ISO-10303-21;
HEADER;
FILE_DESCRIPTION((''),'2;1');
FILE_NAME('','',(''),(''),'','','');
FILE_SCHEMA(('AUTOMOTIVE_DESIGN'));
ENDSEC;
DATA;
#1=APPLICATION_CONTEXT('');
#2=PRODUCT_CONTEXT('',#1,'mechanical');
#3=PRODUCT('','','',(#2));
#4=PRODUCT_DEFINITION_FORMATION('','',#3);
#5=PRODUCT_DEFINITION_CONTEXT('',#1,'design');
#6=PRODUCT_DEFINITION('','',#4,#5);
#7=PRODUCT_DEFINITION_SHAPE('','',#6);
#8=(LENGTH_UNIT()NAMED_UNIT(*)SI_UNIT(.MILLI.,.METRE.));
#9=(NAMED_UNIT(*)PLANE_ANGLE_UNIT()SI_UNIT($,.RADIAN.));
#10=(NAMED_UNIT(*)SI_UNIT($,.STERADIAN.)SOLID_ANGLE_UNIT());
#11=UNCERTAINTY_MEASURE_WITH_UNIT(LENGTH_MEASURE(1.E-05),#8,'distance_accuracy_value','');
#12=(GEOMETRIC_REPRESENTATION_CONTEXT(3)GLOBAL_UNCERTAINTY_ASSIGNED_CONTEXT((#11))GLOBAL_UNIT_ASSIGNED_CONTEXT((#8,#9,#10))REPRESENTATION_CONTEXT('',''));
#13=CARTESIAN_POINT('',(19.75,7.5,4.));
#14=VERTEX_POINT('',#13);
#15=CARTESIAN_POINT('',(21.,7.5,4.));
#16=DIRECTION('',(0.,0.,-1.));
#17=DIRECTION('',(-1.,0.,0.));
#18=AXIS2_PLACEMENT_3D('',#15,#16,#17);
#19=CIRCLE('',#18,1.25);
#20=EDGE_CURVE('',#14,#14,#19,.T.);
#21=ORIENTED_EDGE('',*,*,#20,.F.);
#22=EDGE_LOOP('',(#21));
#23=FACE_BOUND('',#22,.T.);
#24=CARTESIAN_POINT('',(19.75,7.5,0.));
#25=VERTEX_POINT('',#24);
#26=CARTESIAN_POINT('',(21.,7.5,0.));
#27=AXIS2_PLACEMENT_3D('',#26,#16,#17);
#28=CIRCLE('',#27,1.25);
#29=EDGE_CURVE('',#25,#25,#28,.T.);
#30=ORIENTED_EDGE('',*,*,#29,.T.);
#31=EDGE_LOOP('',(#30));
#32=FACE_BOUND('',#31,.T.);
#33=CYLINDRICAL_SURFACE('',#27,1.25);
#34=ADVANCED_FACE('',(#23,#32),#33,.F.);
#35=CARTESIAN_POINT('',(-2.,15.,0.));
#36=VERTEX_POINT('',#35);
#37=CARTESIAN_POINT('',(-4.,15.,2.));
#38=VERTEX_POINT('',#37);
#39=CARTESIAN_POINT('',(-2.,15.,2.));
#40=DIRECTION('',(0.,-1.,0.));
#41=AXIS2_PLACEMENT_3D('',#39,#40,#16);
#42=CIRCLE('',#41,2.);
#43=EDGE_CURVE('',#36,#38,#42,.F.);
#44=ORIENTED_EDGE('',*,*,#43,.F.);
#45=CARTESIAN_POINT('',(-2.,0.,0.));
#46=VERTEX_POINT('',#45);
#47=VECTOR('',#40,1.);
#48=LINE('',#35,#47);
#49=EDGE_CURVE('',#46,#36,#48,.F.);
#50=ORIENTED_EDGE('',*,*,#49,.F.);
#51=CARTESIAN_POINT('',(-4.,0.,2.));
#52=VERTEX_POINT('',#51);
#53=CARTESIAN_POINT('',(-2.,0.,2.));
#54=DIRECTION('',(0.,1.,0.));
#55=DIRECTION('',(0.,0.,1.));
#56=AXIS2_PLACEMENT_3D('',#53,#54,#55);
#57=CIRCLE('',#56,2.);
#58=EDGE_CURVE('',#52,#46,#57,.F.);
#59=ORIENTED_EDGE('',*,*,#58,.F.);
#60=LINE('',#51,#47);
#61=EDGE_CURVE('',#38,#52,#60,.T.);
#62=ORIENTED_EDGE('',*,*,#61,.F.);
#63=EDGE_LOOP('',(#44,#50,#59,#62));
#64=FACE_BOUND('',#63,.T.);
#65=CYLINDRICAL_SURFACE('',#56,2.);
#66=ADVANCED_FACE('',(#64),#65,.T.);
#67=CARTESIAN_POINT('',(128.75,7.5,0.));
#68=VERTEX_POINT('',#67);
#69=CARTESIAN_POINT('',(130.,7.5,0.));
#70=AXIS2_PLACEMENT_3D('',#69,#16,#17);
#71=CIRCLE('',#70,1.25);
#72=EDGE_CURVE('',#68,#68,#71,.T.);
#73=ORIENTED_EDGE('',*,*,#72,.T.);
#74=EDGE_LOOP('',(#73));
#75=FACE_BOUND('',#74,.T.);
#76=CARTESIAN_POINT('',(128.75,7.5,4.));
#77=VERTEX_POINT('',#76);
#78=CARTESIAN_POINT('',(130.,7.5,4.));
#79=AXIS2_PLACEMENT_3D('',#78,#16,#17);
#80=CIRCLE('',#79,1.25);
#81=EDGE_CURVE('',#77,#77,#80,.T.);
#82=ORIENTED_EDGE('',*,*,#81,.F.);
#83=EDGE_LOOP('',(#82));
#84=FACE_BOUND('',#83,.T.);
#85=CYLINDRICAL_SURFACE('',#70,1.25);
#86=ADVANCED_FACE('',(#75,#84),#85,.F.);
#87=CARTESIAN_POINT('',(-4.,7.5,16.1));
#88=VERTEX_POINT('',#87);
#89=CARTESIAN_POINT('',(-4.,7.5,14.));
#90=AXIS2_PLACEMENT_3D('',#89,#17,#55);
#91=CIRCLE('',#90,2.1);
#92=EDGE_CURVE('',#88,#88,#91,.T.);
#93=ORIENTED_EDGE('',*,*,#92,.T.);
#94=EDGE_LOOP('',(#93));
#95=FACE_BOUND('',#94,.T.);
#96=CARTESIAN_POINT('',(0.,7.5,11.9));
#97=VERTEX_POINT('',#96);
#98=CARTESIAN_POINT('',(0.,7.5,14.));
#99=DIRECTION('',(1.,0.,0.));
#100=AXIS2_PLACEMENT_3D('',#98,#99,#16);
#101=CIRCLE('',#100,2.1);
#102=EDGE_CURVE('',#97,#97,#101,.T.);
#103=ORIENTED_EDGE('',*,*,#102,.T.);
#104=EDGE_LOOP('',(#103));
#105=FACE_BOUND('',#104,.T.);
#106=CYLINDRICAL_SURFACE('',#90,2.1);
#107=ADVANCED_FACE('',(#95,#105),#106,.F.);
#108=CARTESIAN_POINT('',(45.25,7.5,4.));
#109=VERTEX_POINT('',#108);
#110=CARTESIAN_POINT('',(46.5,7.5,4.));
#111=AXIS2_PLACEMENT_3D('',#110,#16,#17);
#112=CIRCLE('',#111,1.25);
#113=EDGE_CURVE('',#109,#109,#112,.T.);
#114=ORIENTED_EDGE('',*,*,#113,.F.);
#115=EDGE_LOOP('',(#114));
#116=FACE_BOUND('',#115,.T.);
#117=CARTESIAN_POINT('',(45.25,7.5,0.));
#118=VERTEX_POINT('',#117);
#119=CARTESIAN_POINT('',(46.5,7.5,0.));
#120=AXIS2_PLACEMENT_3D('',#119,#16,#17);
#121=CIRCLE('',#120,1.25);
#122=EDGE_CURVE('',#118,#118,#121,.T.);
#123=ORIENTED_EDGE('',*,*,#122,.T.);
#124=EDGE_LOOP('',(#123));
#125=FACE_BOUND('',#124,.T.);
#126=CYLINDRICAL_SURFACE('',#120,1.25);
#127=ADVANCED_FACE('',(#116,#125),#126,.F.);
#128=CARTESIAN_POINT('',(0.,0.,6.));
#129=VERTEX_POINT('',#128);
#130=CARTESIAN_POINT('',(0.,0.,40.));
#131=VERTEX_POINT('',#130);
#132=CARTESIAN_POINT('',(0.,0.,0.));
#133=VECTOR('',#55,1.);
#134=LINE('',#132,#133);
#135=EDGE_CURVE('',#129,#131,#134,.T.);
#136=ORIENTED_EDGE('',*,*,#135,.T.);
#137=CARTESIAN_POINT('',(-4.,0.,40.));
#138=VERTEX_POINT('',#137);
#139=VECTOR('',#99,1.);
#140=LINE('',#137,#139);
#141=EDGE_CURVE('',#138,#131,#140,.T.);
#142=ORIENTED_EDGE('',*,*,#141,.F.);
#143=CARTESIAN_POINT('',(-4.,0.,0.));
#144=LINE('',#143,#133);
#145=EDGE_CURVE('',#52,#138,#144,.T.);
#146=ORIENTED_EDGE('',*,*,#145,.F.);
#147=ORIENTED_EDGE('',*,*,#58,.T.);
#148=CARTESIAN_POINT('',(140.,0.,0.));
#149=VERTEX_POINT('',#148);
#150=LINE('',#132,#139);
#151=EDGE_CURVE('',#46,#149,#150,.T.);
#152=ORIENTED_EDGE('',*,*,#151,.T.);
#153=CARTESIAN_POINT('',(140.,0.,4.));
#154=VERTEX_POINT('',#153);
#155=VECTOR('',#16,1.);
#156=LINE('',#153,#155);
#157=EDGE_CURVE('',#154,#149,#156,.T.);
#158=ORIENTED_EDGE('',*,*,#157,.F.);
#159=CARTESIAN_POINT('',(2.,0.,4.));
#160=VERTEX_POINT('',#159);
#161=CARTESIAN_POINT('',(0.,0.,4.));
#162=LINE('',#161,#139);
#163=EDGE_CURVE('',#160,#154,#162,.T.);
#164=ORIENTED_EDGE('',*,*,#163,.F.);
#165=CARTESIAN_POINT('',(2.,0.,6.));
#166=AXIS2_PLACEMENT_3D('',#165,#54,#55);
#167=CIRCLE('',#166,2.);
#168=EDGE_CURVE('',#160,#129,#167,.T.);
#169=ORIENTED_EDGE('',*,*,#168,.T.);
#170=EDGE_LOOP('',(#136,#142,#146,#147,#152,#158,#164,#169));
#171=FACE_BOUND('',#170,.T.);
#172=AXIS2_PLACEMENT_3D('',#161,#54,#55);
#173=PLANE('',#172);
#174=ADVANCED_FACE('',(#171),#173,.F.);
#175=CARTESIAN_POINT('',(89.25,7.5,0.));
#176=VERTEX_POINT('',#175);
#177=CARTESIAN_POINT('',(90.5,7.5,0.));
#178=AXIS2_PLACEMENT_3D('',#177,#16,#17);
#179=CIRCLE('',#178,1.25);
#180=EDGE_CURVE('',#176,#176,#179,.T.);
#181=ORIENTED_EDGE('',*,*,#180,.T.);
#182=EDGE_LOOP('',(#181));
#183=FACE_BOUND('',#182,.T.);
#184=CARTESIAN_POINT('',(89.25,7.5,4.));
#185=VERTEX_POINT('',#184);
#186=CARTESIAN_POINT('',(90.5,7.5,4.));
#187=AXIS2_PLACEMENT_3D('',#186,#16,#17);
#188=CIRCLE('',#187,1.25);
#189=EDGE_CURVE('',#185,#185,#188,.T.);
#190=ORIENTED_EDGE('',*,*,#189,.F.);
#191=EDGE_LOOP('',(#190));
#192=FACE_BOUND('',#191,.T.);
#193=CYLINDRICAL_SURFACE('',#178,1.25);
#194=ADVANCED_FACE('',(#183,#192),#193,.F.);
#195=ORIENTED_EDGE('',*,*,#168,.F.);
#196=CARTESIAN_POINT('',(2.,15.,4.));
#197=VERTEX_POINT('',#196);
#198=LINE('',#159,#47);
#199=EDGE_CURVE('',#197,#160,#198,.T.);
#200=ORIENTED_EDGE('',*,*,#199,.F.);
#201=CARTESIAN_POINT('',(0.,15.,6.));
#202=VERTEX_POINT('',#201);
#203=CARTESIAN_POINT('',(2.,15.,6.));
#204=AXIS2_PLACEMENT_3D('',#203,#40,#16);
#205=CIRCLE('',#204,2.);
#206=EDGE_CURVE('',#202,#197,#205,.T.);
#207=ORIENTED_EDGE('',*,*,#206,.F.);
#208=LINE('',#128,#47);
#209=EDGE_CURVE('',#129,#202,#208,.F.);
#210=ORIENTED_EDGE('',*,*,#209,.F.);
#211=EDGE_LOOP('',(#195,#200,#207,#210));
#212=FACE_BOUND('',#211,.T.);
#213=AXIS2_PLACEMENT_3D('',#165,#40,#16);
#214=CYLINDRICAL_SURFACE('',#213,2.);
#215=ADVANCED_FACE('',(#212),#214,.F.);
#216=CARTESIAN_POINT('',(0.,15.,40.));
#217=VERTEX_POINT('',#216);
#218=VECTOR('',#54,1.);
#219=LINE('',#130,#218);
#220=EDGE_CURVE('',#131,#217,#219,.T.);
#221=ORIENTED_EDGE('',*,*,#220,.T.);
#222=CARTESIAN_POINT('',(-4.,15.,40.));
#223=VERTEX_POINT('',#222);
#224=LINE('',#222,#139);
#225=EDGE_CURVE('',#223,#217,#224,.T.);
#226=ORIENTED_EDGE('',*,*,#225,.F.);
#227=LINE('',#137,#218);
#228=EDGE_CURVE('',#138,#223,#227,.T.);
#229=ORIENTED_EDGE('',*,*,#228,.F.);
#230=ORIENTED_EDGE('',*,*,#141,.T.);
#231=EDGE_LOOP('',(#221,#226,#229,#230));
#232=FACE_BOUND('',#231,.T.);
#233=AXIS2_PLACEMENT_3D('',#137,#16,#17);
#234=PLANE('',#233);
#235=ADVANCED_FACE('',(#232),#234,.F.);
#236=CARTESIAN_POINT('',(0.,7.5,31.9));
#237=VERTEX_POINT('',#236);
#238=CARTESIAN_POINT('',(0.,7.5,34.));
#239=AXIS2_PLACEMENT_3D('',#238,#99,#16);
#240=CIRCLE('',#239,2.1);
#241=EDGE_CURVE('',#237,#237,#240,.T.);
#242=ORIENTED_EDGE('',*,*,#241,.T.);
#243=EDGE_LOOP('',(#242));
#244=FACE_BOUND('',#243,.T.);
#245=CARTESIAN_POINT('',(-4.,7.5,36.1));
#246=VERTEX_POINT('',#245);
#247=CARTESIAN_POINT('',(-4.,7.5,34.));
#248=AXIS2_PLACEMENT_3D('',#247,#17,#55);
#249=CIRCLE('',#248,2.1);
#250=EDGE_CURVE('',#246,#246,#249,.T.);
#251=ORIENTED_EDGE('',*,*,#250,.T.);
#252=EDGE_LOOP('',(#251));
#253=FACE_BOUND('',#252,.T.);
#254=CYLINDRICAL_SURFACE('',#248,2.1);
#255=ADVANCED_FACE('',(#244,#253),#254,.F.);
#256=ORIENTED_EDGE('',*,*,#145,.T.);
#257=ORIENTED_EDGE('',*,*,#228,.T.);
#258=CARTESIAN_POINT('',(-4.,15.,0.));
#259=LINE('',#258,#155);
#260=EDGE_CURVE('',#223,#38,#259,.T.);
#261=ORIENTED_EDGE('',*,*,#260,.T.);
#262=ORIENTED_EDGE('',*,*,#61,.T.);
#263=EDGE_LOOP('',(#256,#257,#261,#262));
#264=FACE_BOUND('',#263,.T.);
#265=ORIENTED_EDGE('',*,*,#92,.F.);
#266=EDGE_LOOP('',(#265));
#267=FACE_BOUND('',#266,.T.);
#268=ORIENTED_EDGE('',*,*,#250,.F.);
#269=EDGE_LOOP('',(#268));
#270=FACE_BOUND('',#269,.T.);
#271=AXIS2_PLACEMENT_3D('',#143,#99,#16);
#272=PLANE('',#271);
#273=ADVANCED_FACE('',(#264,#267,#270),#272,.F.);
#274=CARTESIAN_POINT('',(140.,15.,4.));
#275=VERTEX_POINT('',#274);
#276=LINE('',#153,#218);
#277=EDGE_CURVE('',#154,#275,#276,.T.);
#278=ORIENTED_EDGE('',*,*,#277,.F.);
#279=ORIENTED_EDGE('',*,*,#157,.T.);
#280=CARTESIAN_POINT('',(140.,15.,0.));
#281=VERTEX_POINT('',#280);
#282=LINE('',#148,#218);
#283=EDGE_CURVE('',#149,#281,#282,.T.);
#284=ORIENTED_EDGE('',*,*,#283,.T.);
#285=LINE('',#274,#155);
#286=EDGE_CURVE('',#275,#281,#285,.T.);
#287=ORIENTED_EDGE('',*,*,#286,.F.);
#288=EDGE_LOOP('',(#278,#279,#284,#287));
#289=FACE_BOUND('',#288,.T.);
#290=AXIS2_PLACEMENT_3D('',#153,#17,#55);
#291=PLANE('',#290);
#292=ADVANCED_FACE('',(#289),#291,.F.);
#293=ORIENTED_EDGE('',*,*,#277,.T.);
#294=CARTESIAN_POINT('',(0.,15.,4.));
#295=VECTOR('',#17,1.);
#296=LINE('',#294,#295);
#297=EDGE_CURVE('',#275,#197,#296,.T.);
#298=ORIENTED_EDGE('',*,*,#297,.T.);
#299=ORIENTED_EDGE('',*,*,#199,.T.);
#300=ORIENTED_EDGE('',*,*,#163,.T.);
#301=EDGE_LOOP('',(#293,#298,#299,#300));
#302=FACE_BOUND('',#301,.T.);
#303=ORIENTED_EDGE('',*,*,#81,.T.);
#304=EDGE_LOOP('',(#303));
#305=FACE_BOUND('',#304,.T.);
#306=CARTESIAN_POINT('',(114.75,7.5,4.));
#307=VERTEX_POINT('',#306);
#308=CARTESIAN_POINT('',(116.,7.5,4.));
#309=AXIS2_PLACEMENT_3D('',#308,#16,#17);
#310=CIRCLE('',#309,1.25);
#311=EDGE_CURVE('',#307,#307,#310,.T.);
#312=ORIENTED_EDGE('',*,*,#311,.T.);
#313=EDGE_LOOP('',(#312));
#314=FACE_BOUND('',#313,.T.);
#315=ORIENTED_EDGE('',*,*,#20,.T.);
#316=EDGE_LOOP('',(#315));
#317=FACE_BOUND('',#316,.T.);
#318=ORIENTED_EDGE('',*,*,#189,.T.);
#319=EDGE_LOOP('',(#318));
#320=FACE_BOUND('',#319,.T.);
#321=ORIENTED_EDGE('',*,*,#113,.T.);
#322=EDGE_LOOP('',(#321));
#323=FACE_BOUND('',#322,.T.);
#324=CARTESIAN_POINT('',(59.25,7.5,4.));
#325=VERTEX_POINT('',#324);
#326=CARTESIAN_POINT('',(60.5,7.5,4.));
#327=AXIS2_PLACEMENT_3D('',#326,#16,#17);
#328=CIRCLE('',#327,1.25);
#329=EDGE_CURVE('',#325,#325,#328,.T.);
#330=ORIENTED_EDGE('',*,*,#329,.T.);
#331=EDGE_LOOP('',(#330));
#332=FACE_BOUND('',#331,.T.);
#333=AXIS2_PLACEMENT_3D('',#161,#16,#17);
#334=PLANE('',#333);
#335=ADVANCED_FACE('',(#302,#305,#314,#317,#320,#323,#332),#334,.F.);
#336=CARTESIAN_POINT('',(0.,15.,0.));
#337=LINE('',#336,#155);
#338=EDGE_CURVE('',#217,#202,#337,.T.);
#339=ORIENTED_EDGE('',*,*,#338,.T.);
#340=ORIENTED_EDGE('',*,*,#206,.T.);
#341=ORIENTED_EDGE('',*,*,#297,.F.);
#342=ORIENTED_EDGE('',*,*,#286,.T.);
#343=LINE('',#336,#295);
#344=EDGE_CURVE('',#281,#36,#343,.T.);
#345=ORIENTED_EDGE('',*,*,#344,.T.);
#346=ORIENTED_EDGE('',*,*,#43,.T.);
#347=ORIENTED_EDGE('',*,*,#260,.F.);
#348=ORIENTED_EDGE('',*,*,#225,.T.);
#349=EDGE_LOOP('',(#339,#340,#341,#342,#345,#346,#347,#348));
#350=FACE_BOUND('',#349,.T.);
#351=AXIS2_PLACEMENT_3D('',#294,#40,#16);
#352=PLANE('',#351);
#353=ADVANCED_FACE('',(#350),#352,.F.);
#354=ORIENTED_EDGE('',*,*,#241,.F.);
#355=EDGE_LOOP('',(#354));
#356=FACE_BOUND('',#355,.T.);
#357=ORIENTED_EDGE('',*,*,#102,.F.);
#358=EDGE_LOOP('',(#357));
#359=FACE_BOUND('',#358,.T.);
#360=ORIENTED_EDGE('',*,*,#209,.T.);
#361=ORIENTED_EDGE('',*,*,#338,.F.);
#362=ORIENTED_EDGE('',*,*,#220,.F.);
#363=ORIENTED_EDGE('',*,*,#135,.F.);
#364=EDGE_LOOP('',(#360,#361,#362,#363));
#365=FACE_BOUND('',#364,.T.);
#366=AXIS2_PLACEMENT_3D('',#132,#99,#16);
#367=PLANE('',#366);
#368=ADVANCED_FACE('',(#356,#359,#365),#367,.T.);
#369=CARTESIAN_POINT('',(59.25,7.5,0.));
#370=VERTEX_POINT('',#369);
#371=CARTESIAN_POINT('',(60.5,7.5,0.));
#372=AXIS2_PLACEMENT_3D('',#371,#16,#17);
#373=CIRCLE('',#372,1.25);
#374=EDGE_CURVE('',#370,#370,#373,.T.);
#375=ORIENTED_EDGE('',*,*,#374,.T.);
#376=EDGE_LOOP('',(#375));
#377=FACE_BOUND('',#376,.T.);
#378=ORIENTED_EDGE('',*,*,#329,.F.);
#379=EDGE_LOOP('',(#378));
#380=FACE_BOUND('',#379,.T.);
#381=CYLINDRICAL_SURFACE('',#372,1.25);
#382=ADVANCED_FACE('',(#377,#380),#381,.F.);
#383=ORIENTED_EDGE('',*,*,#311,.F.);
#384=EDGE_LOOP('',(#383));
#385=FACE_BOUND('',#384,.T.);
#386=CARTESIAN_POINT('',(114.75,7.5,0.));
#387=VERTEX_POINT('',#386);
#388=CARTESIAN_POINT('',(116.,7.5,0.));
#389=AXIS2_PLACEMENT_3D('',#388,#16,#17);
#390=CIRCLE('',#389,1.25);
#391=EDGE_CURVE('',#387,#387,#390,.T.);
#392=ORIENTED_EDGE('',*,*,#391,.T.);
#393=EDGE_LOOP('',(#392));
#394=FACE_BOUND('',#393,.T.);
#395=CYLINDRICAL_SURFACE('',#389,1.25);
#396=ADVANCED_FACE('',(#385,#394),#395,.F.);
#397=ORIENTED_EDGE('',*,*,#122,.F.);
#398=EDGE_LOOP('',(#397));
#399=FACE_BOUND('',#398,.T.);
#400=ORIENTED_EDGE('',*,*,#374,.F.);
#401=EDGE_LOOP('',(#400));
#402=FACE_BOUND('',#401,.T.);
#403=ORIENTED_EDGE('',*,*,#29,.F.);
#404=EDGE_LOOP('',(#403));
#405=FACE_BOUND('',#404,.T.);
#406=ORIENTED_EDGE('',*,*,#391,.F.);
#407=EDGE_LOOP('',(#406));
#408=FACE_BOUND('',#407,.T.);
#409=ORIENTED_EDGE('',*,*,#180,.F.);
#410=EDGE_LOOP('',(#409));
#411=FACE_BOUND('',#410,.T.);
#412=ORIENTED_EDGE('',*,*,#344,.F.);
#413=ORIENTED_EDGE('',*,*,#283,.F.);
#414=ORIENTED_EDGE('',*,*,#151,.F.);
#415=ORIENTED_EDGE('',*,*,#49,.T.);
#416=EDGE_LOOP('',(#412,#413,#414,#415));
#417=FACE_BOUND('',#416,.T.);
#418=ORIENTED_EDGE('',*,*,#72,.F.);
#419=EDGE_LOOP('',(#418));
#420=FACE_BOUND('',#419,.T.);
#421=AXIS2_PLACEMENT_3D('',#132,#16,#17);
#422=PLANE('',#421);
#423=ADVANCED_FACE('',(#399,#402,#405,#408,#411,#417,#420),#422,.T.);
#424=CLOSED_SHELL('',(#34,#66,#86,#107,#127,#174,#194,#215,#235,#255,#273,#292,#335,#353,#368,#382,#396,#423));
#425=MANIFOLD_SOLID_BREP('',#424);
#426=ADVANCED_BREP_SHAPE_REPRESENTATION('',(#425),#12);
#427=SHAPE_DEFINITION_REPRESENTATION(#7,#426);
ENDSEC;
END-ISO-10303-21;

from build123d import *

# Parameters (mm, degrees)
SKETCH1_W             = 140
SKETCH1_H             = 15
BOSS_EXTRUDE1_DEPTH   = 4
M3X0_5_TAPPED_HOLE1_D = 2.5
SKETCH6_W             = 40
SKETCH6_H             = 15
BOSS_EXTRUDE2_DEPTH   = 4
FILLET1_R             = 2
F_4_0MM_DOWEL_HOLE1_D = 4.2


with BuildPart() as part:
    # Sketch1 → Boss-Extrude1 (new body)
    with BuildSketch(Plane.XY):
        with Locations((70, 7.5)):
            Rectangle(SKETCH1_W, SKETCH1_H)
    extrude(amount=BOSS_EXTRUDE1_DEPTH)

    # M3x0.5 Tapped Hole1 (through all)
    with Locations(Plane(origin=(0, 0, 0), x_dir=(-1, 0, 0), z_dir=(0, 0, -1))):
        with Locations((-130, 7.5), (-116, 7.5), (-90.5, 7.5), (-60.5, 7.5), (-46.5, 7.5), (-21, 7.5)):
            Hole(M3X0_5_TAPPED_HOLE1_D / 2)

    # Sketch6 → Boss-Extrude2 (add)
    with BuildSketch(Plane.ZY):
        with Locations((20, 7.5)):
            Rectangle(SKETCH6_W, SKETCH6_H)
    extrude(amount=BOSS_EXTRUDE2_DEPTH)

    # Fillet1
    fillet1_edges = [part.edges().sort_by_distance(p)[0] for p in [
        (0, 7.5, 4),
        (-4, 7.5, 0),
    ]]
    fillet(fillet1_edges, radius=FILLET1_R)

    # Ø4.0mm Dowel Hole1 (through all)
    with Locations(Plane.ZY.offset(4)):
        with Locations((34, 7.5), (14, 7.5)):
            Hole(F_4_0MM_DOWEL_HOLE1_D / 2)


solid = part.part
